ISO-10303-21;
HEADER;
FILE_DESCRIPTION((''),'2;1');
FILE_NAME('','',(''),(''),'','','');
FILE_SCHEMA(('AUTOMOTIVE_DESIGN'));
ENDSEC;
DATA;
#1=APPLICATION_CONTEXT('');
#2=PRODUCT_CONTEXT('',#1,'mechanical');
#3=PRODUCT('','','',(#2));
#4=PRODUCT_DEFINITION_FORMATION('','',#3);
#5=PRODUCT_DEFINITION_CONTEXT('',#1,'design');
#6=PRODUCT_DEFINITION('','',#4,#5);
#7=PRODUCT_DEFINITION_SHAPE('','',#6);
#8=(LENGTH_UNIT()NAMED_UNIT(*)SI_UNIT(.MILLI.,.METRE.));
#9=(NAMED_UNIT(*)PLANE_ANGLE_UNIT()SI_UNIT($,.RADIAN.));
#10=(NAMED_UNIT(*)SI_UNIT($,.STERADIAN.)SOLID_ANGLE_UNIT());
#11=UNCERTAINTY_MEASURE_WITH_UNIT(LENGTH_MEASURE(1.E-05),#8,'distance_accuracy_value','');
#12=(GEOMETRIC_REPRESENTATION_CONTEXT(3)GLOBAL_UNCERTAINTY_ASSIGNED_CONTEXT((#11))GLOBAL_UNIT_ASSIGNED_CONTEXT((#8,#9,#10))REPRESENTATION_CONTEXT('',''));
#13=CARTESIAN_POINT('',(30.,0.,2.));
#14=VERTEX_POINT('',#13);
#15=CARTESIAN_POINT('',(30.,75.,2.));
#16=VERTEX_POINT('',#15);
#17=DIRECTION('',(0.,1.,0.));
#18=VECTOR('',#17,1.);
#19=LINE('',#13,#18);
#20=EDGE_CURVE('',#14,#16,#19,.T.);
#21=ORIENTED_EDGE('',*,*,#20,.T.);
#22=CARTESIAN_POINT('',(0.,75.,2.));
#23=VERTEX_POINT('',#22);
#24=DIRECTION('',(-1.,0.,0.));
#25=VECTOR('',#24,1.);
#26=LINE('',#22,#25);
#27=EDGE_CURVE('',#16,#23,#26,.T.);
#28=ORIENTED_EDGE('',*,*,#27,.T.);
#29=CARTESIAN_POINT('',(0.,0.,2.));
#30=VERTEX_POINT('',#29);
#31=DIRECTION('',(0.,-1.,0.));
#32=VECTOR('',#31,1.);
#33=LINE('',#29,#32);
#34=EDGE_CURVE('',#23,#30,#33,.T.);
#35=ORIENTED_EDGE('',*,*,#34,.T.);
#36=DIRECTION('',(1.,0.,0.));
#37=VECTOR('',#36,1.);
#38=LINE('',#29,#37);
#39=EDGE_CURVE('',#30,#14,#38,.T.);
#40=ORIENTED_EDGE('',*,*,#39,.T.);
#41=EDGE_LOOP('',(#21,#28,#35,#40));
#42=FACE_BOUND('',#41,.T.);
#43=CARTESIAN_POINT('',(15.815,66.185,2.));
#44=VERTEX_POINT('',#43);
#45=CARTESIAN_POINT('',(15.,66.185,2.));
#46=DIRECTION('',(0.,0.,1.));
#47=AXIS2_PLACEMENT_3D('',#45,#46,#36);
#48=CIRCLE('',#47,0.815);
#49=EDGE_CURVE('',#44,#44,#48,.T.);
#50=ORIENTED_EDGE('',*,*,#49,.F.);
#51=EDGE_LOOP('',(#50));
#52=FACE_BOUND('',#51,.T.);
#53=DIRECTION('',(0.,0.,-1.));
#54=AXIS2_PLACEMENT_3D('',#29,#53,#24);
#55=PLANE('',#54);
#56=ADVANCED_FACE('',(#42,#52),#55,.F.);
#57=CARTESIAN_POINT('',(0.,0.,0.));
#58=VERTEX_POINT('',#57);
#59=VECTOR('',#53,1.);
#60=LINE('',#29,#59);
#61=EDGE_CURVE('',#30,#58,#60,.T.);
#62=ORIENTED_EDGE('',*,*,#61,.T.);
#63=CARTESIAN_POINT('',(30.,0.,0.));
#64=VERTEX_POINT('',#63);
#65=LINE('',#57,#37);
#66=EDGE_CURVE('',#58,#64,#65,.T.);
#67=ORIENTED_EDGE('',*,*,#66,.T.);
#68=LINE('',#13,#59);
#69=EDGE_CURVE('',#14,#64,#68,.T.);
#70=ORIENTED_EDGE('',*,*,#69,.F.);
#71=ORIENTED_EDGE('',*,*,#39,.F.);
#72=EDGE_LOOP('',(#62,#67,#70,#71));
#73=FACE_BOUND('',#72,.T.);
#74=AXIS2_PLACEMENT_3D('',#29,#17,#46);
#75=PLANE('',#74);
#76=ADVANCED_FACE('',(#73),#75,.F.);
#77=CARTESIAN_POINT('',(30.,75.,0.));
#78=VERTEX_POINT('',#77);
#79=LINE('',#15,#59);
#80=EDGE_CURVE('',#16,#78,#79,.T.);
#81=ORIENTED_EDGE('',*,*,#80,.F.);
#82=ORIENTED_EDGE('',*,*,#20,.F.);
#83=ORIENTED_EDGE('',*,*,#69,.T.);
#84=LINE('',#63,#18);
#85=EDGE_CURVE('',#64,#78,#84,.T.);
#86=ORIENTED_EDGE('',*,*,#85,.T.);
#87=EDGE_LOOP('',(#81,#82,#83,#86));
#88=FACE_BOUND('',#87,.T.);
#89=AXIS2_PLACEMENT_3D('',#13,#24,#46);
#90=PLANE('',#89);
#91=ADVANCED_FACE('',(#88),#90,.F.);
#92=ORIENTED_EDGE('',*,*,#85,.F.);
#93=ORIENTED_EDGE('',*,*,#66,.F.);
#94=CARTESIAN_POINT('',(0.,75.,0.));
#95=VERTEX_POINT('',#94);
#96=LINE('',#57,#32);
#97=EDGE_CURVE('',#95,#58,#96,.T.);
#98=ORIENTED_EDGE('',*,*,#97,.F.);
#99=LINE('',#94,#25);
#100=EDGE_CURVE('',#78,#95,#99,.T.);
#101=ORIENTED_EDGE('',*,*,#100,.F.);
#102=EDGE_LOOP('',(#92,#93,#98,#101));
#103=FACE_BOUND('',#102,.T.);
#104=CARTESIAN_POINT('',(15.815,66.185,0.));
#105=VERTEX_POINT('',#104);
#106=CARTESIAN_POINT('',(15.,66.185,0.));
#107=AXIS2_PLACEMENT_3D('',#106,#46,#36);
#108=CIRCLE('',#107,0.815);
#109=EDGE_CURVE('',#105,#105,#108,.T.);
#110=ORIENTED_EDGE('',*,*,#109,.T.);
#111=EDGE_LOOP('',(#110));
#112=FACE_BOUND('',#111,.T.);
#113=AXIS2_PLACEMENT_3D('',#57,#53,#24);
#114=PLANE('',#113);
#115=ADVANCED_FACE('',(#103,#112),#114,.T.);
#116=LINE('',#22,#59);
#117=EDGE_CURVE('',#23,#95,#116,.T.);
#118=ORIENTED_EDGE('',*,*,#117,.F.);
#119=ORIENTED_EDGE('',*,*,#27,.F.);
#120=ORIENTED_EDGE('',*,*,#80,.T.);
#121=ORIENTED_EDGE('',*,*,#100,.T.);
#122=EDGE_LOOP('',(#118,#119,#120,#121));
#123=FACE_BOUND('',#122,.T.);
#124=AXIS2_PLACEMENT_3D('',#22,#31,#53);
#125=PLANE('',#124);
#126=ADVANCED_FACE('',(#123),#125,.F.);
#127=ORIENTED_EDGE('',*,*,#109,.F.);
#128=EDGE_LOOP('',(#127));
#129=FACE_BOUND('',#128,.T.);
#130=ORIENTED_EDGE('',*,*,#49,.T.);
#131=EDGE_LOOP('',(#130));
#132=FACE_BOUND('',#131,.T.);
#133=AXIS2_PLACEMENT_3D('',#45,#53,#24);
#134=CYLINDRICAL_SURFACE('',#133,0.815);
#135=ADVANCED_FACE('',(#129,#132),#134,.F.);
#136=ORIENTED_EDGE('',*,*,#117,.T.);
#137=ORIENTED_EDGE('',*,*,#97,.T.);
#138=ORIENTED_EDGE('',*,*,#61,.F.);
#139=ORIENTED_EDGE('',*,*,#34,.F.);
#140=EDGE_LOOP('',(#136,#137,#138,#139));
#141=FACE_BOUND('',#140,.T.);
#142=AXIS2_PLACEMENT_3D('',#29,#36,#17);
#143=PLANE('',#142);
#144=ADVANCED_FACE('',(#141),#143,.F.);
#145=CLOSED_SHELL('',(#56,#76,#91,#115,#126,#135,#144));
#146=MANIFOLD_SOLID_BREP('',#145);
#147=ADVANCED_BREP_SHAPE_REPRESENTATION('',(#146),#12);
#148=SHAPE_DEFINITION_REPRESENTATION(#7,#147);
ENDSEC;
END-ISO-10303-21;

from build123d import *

# Parameters (mm, degrees)
SKETCH1_W           = 30
SKETCH1_H           = 75
SKETCH1_R           = 0.815
BOSS_EXTRUDE1_DEPTH = 2


with BuildPart() as part:
    # Sketch1 → Boss-Extrude1 (new body)
    with BuildSketch(Plane.XY):
        with Locations((15, 37.5)):
            Rectangle(SKETCH1_W, SKETCH1_H)
        with Locations((15, 66.185)):
            Circle(SKETCH1_R, mode=Mode.SUBTRACT)
    extrude(amount=BOSS_EXTRUDE1_DEPTH)


solid = part.part
